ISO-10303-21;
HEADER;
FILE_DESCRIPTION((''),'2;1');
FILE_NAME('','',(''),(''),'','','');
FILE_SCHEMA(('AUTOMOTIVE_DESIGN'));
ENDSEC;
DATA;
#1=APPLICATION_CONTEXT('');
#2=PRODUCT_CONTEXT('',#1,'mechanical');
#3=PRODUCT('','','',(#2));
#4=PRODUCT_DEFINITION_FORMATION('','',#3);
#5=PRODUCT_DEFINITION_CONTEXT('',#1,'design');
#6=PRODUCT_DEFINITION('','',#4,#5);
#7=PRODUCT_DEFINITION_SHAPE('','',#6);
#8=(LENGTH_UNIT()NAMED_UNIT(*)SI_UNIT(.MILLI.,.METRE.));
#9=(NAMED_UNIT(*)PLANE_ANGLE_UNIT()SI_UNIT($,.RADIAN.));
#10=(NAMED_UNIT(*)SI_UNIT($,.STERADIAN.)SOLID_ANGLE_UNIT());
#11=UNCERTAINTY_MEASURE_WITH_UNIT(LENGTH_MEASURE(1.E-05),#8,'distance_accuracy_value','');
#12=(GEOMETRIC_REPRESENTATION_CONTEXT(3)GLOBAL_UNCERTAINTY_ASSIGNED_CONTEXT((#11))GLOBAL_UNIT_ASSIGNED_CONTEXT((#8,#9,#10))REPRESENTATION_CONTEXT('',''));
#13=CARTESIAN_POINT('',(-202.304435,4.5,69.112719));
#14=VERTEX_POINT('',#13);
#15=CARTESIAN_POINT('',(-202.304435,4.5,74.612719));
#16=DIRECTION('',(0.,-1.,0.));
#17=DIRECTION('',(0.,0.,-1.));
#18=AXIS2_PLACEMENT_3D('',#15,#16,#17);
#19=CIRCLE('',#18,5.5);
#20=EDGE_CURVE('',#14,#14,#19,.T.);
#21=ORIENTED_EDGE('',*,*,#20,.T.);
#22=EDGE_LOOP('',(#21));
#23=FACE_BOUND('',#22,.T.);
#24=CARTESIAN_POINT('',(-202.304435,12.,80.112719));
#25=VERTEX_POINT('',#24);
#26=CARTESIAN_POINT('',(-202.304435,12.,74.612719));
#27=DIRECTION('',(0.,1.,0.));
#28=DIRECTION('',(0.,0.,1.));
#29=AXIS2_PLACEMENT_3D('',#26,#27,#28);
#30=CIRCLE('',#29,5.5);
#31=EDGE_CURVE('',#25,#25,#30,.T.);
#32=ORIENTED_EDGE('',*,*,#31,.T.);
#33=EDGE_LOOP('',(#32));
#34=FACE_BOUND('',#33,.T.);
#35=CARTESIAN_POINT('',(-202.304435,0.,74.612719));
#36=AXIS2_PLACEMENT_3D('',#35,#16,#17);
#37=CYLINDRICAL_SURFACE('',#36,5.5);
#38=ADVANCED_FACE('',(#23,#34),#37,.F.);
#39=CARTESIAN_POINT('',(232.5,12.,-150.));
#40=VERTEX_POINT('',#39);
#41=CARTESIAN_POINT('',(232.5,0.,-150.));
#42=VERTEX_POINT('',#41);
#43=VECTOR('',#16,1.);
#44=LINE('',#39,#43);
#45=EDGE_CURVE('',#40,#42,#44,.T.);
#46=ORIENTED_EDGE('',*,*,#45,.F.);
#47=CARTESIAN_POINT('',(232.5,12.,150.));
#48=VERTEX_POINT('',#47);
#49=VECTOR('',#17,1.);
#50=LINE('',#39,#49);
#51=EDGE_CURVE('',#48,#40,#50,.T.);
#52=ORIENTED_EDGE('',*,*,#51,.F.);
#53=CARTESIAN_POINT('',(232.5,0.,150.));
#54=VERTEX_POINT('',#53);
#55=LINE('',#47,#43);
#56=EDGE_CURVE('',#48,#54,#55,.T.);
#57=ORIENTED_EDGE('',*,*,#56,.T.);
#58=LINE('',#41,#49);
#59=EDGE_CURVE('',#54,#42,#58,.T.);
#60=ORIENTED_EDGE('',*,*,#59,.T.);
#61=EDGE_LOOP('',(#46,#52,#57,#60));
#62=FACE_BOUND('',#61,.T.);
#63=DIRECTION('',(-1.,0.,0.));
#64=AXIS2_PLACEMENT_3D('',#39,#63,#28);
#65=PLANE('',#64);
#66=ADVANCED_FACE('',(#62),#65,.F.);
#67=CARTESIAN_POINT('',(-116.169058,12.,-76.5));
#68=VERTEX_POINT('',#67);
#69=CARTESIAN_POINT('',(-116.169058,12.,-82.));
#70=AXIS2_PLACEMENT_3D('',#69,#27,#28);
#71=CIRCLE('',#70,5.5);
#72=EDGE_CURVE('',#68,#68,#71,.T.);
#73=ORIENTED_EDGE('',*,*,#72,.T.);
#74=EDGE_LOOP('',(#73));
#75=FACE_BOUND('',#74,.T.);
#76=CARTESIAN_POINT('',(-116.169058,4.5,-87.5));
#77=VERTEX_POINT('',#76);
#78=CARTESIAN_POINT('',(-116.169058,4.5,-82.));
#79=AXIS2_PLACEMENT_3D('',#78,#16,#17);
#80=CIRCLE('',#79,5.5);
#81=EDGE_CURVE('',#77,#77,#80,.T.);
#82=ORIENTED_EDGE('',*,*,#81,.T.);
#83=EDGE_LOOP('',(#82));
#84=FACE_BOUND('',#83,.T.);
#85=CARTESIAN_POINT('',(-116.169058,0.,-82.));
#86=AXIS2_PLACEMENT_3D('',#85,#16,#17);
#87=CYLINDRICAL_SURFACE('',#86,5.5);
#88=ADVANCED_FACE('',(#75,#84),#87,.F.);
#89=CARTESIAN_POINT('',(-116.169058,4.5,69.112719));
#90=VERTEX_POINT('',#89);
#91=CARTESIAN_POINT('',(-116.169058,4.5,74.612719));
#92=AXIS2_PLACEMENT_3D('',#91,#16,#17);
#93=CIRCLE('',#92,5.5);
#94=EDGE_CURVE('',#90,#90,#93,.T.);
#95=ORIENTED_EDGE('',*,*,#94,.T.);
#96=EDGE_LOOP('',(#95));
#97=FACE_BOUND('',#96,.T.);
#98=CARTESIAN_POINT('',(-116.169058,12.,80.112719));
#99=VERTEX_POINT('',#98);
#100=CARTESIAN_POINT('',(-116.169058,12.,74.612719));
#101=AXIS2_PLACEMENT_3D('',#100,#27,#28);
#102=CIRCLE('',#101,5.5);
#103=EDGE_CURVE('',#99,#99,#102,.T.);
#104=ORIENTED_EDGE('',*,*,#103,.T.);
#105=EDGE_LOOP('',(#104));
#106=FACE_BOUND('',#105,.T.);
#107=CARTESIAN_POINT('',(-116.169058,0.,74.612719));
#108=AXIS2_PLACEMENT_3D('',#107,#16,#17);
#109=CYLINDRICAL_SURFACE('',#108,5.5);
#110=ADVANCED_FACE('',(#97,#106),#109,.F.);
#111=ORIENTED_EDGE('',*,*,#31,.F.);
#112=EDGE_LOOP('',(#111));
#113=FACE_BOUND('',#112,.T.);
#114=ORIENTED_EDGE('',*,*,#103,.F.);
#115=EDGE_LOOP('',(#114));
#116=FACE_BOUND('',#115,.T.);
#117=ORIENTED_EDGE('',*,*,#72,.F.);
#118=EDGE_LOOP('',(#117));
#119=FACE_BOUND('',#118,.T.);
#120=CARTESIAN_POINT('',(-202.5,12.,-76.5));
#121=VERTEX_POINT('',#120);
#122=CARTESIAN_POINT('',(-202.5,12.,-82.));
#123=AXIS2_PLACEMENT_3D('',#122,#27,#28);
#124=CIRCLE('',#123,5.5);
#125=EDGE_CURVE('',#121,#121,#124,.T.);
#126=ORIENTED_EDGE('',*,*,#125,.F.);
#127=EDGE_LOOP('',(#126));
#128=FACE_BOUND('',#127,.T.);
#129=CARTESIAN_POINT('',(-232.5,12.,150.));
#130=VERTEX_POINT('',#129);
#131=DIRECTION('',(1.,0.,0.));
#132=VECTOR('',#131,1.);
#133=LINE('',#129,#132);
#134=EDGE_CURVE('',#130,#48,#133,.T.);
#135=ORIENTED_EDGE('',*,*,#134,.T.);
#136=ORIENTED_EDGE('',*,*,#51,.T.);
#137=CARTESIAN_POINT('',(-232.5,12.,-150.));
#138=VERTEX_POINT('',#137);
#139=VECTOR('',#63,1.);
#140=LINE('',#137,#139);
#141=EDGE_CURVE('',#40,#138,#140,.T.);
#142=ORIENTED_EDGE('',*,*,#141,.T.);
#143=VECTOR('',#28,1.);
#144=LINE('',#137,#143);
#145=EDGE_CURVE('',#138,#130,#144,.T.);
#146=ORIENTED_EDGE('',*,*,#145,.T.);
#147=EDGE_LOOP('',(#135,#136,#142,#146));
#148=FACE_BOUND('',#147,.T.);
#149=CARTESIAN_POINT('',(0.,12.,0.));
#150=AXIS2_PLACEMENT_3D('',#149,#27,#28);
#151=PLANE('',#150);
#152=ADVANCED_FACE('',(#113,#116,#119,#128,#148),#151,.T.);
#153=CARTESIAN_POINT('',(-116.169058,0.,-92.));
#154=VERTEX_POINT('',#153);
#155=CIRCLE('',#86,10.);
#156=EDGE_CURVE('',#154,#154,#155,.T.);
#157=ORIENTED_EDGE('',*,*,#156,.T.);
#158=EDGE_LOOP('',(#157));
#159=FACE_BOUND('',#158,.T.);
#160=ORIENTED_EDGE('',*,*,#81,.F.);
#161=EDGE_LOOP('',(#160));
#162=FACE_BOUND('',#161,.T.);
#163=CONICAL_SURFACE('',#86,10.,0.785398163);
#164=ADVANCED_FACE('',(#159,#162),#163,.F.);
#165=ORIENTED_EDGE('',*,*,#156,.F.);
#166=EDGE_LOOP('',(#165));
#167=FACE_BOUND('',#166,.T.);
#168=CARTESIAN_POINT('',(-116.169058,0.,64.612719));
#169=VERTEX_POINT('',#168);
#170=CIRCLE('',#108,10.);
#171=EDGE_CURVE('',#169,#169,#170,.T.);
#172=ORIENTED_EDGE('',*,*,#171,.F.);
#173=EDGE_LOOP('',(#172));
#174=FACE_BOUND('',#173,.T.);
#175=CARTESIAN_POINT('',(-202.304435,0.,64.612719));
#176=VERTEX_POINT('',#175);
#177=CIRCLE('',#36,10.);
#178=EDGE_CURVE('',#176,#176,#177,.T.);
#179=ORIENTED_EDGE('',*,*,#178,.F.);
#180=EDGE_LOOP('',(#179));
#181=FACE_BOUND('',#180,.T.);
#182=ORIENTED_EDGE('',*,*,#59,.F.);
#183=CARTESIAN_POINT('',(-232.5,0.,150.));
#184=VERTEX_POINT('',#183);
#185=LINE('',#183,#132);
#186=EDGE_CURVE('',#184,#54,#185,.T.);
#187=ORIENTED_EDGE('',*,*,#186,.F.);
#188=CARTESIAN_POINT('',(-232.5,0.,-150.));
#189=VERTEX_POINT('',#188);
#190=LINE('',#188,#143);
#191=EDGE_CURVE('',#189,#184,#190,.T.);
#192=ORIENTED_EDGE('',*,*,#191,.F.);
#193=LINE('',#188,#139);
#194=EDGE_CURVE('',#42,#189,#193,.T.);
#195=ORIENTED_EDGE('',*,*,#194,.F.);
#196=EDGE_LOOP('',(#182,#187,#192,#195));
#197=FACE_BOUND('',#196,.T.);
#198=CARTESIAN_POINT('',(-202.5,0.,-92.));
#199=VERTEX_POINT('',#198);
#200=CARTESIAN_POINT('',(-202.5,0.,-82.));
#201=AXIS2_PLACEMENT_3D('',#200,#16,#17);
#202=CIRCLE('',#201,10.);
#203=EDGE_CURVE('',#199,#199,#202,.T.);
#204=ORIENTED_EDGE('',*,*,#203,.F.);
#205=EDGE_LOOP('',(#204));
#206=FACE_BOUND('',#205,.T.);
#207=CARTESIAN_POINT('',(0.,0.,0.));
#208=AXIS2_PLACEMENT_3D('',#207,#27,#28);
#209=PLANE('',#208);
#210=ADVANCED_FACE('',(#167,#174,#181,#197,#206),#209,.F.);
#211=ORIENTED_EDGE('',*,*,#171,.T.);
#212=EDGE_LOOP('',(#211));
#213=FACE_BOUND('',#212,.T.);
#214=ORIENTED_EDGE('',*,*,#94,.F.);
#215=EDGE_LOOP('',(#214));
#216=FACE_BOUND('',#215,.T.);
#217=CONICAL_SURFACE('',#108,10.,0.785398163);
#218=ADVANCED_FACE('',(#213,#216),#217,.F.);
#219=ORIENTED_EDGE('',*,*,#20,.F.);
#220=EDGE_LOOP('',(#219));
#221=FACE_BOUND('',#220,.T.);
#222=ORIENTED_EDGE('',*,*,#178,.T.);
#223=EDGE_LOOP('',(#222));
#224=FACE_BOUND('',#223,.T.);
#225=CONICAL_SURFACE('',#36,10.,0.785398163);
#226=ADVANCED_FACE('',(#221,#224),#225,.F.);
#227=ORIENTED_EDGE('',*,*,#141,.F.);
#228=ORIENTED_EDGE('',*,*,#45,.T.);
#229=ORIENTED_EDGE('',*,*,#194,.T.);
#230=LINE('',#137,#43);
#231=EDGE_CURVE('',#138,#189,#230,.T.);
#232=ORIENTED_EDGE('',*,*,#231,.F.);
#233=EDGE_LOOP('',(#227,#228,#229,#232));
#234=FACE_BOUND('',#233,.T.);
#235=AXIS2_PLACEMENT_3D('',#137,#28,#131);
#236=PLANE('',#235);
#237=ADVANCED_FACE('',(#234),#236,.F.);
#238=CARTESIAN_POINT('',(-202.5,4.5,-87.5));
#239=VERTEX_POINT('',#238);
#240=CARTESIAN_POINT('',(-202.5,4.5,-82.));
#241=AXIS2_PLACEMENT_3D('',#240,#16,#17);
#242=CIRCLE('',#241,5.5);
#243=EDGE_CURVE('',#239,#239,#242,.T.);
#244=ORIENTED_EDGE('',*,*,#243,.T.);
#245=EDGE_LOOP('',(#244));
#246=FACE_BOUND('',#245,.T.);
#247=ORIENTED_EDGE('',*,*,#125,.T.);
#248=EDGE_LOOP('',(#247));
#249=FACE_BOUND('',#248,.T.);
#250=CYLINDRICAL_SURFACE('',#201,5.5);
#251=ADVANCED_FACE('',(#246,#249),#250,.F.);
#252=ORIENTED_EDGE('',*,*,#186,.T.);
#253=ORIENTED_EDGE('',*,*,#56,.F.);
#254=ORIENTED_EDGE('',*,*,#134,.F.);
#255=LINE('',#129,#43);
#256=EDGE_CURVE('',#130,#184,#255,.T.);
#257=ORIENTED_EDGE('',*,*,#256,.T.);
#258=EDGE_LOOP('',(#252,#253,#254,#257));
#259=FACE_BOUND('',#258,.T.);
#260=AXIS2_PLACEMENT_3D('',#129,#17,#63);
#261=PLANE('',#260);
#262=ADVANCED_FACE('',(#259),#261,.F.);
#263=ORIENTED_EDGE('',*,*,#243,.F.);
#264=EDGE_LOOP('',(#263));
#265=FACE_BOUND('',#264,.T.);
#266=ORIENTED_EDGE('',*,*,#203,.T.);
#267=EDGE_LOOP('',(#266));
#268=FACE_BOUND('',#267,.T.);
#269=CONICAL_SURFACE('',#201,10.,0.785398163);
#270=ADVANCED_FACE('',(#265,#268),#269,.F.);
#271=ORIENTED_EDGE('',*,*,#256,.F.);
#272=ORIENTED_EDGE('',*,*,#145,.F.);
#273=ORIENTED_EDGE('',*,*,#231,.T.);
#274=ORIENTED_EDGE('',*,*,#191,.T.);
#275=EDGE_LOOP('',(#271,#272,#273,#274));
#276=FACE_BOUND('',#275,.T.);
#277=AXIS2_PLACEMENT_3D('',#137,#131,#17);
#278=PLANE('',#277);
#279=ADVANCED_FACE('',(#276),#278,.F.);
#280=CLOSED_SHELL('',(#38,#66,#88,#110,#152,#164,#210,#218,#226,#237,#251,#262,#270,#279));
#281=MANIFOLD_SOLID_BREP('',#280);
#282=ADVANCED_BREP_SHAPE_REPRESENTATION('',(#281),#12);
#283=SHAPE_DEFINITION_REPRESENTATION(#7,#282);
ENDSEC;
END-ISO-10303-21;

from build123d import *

# Parameters (mm, degrees)
SKETCH1_W                                            = 465
SKETCH1_H                                            = 300
BOSS_EXTRUDE1_DEPTH                                  = 12
CSK_FOR_M10_COUNTERSUNK_FLAT_HEAD_SCREW1_D           = 11
CSK_FOR_M10_COUNTERSUNK_FLAT_HEAD_SCREW1_DEPTH       = 20.003
CSK_FOR_M10_COUNTERSUNK_FLAT_HEAD_SCREW1_CSINK_D     = 20
CSK_FOR_M10_COUNTERSUNK_FLAT_HEAD_SCREW1_CSINK_ANGLE = 90
CSK_FOR_M10_COUNTERSUNK_FLAT_HEAD_SCREW1_TIP         = 3.304733405


with BuildPart() as part:
    # Sketch1 → Boss-Extrude1 (new body)
    with BuildSketch(Plane(origin=(0, 0, 0), x_dir=(1, 0, 0), z_dir=(0, 1, 0))):
        Rectangle(SKETCH1_W, SKETCH1_H)
    extrude(amount=BOSS_EXTRUDE1_DEPTH)

    # CSK for M10 Countersunk Flat Head Screw1
    with Locations(Plane(origin=(0, 0, 0), x_dir=(-1, 0, 0), z_dir=(0, -1, 0))):
        with Locations((116.169058485, -74.612719009), (202.304435362, -74.612719009), (202.5, 82), (116.169058485, 82)):
            CounterSinkHole(CSK_FOR_M10_COUNTERSUNK_FLAT_HEAD_SCREW1_D / 2, CSK_FOR_M10_COUNTERSUNK_FLAT_HEAD_SCREW1_CSINK_D / 2, depth=CSK_FOR_M10_COUNTERSUNK_FLAT_HEAD_SCREW1_DEPTH, counter_sink_angle=CSK_FOR_M10_COUNTERSUNK_FLAT_HEAD_SCREW1_CSINK_ANGLE)
            with Locations((0, 0, -(CSK_FOR_M10_COUNTERSUNK_FLAT_HEAD_SCREW1_DEPTH + CSK_FOR_M10_COUNTERSUNK_FLAT_HEAD_SCREW1_TIP / 2))):  # 118° drill point
                Cone(0, CSK_FOR_M10_COUNTERSUNK_FLAT_HEAD_SCREW1_D / 2, CSK_FOR_M10_COUNTERSUNK_FLAT_HEAD_SCREW1_TIP, mode=Mode.SUBTRACT)


solid = part.part
